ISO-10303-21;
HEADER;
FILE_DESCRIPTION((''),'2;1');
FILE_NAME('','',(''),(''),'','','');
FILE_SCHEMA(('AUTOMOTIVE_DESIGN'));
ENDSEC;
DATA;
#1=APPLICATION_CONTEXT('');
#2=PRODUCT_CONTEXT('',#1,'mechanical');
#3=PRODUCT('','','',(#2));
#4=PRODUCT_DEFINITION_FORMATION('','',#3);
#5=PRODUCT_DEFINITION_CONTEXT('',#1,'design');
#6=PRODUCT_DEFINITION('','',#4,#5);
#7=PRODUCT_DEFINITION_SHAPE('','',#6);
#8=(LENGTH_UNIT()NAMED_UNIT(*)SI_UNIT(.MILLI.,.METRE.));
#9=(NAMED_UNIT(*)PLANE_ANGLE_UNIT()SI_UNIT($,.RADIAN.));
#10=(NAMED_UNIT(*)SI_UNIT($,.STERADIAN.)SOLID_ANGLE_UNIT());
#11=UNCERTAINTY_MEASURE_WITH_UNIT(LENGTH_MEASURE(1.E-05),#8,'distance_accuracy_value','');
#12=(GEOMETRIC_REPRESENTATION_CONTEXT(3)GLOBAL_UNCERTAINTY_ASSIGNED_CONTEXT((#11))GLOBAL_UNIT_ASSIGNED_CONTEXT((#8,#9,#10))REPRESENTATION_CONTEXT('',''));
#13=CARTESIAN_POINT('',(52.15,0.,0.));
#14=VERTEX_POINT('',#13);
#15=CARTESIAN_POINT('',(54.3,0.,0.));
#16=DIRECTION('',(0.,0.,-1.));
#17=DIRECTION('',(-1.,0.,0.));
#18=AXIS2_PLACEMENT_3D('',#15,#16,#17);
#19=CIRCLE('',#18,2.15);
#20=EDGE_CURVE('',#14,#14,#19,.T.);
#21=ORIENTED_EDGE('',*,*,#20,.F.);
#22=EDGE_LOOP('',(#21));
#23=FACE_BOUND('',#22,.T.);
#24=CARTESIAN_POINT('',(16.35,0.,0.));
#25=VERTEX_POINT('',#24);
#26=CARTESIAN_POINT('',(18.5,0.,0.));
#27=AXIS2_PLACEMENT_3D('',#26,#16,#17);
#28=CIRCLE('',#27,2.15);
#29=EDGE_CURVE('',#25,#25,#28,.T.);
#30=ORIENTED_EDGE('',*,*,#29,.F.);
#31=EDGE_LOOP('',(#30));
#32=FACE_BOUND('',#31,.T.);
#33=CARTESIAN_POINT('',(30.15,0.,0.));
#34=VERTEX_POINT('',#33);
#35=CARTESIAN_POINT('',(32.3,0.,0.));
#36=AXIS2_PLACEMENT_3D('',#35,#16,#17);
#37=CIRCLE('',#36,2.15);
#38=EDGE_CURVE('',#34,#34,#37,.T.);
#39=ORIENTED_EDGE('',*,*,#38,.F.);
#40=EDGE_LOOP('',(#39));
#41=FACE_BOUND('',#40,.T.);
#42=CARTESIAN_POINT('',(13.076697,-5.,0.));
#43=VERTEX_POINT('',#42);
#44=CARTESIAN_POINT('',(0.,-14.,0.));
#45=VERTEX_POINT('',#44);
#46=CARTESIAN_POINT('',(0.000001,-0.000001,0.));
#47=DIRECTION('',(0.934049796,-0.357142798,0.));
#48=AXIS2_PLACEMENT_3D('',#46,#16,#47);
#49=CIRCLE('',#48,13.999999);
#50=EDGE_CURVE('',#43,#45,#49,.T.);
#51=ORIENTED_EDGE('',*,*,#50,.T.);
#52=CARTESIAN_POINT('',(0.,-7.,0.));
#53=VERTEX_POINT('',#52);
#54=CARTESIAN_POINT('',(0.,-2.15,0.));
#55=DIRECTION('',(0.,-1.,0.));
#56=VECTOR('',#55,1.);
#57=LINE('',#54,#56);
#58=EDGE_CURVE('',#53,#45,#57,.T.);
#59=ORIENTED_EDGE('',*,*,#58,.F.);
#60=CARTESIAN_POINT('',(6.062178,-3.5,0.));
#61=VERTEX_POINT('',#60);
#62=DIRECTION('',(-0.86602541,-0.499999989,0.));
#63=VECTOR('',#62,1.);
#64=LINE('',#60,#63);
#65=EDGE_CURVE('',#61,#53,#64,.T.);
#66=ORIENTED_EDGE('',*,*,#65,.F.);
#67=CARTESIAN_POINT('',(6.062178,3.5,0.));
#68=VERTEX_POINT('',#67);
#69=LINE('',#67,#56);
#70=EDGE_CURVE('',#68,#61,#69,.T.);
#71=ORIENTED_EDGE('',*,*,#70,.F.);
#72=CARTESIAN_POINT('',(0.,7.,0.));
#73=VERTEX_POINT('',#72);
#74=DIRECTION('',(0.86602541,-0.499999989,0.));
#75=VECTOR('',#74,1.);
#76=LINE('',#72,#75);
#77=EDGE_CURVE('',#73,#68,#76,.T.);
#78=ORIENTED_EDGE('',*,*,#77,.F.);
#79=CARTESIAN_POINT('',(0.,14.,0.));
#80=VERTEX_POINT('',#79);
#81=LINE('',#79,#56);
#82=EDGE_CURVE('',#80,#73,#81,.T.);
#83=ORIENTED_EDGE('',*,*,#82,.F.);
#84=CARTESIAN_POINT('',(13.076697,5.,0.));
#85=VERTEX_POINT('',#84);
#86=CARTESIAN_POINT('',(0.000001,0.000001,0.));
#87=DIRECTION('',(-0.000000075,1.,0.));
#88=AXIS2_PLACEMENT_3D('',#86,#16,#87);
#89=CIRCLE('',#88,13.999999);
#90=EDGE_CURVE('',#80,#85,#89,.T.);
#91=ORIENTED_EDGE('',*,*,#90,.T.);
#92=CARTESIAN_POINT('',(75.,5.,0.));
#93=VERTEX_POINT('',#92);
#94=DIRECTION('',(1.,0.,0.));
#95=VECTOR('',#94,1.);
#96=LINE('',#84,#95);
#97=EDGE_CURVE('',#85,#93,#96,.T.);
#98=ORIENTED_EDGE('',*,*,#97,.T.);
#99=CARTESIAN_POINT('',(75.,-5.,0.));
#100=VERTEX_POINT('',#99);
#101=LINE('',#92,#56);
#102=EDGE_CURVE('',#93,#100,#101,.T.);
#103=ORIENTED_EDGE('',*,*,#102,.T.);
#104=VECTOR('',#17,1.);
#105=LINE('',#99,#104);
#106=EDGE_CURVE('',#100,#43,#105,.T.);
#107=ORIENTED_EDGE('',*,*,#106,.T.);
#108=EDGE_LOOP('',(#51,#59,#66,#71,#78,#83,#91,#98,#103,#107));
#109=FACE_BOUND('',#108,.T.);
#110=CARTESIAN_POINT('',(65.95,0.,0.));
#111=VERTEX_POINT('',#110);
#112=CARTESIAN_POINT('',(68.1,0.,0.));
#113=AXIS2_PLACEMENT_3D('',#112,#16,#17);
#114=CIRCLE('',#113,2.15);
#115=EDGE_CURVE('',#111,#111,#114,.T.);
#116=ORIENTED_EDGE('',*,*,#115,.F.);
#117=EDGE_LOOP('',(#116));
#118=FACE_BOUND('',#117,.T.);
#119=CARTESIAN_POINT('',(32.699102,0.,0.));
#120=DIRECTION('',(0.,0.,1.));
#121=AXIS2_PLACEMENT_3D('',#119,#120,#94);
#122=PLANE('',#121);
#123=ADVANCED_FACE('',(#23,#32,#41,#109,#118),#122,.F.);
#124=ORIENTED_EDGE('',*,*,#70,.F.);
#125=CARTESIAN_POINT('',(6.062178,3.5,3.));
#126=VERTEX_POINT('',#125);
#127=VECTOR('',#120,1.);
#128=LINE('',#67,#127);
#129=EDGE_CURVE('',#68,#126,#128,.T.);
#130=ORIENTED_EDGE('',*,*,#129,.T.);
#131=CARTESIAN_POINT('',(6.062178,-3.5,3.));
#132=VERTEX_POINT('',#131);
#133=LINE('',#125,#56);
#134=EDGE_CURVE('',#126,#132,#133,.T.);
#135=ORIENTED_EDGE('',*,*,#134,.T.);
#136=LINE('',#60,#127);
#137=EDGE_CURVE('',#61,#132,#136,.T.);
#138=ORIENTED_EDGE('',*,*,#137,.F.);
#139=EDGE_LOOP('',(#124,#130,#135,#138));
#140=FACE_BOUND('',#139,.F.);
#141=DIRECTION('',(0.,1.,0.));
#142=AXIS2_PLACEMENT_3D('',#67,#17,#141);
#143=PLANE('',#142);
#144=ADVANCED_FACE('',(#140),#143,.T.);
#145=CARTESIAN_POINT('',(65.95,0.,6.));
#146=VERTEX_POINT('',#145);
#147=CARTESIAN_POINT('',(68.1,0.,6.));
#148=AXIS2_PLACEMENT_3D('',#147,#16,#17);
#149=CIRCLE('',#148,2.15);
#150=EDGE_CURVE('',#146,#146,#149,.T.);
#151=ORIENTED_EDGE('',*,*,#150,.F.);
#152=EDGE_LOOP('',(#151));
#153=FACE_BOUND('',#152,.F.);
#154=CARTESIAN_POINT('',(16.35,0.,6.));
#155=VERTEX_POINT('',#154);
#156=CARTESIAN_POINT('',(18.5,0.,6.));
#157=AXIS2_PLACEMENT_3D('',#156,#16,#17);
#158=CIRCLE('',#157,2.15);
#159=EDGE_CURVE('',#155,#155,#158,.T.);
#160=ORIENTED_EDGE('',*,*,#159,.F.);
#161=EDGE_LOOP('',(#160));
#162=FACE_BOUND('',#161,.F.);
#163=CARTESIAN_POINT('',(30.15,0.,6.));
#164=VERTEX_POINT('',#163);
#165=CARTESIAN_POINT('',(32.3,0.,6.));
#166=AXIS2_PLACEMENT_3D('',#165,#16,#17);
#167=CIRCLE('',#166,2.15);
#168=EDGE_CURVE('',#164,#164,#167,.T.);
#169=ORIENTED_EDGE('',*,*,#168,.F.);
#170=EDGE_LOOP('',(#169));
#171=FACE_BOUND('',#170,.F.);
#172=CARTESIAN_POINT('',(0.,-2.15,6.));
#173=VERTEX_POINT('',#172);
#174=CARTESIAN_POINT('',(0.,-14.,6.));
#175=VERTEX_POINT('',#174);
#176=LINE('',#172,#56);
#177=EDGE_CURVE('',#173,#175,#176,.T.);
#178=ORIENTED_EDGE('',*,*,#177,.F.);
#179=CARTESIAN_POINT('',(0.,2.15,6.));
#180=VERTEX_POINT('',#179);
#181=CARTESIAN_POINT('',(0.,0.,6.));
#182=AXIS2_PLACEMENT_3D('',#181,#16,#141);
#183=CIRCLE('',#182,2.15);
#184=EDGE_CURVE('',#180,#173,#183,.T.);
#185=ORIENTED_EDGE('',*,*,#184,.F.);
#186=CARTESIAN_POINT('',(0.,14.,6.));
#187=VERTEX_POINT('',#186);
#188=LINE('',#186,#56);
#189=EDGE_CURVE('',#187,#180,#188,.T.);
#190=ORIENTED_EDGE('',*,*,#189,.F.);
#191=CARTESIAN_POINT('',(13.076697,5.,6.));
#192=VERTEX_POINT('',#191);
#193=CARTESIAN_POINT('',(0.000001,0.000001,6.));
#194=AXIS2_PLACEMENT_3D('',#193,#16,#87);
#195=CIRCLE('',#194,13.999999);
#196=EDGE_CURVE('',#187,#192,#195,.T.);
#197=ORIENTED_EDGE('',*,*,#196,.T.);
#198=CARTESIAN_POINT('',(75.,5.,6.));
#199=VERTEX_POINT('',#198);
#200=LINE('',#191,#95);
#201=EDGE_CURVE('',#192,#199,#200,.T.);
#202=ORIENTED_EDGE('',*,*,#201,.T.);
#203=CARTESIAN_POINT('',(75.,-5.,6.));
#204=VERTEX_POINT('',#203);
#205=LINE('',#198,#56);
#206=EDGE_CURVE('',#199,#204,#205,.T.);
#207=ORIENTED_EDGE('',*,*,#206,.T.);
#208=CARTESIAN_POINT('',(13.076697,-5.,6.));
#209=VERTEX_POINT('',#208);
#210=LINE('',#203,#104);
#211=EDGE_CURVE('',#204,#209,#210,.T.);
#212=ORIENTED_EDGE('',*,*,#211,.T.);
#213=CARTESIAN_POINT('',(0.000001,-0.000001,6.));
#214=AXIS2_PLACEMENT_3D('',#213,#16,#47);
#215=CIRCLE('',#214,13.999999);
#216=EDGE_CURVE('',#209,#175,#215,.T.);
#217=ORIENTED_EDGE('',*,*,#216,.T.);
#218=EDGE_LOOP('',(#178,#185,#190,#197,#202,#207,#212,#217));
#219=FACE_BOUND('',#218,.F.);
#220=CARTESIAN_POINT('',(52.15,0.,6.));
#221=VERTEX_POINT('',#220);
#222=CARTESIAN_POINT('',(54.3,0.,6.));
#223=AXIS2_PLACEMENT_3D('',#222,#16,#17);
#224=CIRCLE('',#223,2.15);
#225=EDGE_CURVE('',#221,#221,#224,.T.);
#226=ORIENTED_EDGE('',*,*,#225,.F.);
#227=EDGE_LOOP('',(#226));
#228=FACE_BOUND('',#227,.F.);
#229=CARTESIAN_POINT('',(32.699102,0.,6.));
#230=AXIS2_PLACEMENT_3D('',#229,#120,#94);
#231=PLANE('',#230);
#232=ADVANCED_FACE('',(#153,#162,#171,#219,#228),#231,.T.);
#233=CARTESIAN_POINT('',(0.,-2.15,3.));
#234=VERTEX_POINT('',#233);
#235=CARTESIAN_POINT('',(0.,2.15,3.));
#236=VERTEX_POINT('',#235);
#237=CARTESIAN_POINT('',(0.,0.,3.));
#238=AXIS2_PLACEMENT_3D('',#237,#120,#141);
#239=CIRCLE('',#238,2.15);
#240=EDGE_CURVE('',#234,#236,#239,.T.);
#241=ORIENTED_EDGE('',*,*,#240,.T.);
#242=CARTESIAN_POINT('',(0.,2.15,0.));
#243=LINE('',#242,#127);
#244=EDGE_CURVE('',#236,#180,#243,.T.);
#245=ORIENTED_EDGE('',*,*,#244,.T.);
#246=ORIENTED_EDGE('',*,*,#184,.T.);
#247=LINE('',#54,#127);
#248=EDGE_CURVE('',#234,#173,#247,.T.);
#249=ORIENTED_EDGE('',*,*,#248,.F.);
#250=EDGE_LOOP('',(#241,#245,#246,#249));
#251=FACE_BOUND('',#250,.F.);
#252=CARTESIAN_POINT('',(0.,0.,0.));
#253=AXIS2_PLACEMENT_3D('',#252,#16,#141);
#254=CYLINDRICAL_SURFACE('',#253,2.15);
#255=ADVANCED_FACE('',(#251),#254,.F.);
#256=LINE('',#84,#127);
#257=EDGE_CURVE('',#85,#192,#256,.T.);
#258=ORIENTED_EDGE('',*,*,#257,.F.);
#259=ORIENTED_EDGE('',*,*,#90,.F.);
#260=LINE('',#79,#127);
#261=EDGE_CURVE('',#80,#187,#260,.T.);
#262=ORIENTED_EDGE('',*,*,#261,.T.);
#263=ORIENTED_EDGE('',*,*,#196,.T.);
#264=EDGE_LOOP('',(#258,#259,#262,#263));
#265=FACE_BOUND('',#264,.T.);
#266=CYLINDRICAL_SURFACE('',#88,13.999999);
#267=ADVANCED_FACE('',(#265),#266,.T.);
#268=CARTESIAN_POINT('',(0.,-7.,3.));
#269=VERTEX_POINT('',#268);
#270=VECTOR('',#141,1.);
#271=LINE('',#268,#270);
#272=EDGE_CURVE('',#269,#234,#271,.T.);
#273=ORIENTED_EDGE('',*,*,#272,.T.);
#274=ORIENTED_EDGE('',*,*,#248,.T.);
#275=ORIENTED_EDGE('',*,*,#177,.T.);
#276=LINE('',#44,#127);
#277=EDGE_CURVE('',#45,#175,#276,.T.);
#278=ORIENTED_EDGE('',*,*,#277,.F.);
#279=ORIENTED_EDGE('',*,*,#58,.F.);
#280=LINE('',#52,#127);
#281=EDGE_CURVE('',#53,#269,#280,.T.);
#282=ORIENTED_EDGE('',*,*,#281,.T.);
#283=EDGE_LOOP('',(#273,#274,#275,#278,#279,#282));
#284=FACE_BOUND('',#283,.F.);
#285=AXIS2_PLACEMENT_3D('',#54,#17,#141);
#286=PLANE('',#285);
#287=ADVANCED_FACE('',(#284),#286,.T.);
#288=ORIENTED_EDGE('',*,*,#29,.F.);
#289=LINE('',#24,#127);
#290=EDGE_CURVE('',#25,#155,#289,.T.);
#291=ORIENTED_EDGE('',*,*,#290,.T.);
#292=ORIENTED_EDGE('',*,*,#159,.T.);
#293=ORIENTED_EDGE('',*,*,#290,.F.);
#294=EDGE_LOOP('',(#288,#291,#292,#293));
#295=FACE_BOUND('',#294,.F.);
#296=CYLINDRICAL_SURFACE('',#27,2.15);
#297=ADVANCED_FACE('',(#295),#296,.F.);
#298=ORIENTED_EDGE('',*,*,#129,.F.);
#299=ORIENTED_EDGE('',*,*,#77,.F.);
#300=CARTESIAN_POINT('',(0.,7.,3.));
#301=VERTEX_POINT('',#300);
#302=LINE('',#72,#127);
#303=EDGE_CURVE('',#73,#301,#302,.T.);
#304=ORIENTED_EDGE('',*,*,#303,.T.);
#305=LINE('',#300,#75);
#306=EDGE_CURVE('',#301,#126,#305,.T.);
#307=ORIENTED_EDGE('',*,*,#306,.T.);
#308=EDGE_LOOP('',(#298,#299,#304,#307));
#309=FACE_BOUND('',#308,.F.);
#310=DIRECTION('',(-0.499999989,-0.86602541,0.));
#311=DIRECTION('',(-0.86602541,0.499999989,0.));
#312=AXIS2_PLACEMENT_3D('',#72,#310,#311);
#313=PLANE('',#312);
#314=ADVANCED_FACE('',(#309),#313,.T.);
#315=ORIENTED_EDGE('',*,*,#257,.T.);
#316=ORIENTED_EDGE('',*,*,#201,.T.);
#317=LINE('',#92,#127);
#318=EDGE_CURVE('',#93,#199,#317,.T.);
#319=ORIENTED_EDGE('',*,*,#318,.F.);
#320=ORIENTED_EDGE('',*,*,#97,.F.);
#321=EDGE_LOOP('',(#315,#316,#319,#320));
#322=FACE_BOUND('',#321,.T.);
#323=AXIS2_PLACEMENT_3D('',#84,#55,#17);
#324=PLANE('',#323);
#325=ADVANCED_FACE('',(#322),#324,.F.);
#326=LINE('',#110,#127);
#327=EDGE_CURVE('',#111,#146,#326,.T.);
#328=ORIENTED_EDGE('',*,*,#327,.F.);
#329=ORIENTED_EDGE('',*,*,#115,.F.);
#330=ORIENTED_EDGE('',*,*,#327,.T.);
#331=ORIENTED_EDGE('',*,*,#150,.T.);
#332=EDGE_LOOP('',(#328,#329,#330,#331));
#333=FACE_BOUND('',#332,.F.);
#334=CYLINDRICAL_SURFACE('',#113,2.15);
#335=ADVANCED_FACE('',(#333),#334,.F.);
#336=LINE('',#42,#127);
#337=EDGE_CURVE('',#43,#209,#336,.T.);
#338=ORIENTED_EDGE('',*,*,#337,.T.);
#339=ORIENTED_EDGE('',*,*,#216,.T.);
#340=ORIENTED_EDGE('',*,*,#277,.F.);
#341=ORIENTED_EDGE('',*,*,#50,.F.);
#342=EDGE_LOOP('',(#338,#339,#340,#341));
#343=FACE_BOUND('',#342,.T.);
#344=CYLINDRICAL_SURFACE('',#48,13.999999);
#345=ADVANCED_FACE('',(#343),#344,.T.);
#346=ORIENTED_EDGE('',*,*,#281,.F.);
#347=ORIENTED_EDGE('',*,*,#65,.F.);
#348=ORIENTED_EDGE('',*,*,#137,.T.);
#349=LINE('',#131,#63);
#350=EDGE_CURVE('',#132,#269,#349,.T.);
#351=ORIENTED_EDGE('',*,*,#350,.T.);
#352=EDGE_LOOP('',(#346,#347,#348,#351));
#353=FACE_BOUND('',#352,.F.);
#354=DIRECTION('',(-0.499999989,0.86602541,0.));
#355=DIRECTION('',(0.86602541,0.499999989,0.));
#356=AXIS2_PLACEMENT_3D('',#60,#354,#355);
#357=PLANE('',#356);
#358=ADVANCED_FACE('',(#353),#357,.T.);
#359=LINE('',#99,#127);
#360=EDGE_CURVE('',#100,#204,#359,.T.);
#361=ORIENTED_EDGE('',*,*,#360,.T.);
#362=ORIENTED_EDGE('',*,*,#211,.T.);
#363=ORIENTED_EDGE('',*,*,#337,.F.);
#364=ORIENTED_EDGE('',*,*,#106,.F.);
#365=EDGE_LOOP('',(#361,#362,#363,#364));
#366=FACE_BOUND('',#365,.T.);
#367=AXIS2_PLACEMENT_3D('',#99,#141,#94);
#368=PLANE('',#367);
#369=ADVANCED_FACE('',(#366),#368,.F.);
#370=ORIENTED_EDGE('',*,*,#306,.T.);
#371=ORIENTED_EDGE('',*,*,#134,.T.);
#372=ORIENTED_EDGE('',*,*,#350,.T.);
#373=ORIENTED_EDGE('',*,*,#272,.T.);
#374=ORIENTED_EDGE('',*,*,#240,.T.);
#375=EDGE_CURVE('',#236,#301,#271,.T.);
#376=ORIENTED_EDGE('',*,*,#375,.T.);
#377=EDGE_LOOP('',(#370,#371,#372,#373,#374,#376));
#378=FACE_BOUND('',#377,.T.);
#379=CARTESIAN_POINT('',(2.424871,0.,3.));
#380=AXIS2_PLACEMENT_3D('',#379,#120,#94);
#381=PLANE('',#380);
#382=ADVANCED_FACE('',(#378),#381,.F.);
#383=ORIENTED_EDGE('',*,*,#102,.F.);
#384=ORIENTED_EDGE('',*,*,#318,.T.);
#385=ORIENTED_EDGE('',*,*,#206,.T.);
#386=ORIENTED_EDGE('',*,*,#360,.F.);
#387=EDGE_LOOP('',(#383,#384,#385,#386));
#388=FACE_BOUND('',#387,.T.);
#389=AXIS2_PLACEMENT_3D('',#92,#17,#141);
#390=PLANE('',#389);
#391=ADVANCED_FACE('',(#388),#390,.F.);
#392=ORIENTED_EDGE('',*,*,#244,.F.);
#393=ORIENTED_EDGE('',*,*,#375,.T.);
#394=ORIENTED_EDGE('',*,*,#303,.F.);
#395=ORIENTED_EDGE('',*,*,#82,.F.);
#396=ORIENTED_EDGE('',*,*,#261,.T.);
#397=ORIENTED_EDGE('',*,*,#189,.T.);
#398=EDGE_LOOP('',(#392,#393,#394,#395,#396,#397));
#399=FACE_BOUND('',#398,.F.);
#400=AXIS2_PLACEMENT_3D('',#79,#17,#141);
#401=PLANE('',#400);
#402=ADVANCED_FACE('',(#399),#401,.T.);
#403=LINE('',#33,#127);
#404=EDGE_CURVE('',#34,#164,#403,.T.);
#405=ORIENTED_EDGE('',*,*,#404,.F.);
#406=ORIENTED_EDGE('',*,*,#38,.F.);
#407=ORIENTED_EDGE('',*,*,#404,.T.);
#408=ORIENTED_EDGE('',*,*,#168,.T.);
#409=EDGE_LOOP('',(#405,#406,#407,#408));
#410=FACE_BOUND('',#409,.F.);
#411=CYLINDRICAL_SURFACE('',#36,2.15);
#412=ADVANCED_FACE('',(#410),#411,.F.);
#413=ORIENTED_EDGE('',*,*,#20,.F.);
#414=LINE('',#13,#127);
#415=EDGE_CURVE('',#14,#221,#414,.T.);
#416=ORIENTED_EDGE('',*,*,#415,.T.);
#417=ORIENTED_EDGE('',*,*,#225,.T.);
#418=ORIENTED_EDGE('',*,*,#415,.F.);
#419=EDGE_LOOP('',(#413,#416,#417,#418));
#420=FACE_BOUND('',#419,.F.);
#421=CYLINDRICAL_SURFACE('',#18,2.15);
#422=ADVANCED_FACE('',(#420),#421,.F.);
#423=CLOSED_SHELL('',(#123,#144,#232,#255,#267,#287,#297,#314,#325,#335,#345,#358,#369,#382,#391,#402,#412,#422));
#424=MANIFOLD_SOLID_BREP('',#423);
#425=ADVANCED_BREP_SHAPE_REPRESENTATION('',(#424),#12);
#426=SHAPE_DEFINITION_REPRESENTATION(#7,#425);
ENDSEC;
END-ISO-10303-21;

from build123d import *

# Parameters (mm, degrees)
SKETCH_R     = 2.15
PAD_DEPTH    = 6
POCKET_DEPTH = 3


with BuildPart() as body:
    # Sketch → Pad (new body)
    with BuildSketch(Plane.XY):
        with BuildLine():
            Line((-13.076697, 5), (-75, 5))
            Line((-75, 5), (-75, -5))
            Line((-75, -5), (-13.076697, -5))
            ThreePointArc((-13.076697, -5), (-7.937254, -11.532563), (0, -14))
            Line((0, -2.15), (0, -14))
            ThreePointArc((0, 2.15), (-2.15, 0), (0, -2.15))
            Line((0, 14), (0, 2.15))
            ThreePointArc((0, 14), (-7.937254, 11.532563), (-13.076697, 5))
        make_face()
        with Locations((-68.1, 0)):
            Circle(SKETCH_R, mode=Mode.SUBTRACT)
        with Locations((-54.3, 0)):
            Circle(SKETCH_R, mode=Mode.SUBTRACT)
        with Locations((-32.3, 0)):
            Circle(SKETCH_R, mode=Mode.SUBTRACT)
        with Locations((-18.5, 0)):
            Circle(SKETCH_R, mode=Mode.SUBTRACT)
    extrude(amount=PAD_DEPTH)

    # Sketch001 → Pocket (cut)
    with BuildSketch(Plane.XY):
        Polygon((0, 7), (-6.062178, 3.5), (-6.062178, -3.5), (0, -7), align=None)
    extrude(amount=POCKET_DEPTH, mode=Mode.SUBTRACT)


with BuildPart() as part_mirroring:
    # Part__Mirroring: instance of Body
    add(body.part.mirror(Plane(origin=(0, 0, 0), x_dir=(0, -1, 0), z_dir=(1, 0, 0))))


solid = part_mirroring.part
